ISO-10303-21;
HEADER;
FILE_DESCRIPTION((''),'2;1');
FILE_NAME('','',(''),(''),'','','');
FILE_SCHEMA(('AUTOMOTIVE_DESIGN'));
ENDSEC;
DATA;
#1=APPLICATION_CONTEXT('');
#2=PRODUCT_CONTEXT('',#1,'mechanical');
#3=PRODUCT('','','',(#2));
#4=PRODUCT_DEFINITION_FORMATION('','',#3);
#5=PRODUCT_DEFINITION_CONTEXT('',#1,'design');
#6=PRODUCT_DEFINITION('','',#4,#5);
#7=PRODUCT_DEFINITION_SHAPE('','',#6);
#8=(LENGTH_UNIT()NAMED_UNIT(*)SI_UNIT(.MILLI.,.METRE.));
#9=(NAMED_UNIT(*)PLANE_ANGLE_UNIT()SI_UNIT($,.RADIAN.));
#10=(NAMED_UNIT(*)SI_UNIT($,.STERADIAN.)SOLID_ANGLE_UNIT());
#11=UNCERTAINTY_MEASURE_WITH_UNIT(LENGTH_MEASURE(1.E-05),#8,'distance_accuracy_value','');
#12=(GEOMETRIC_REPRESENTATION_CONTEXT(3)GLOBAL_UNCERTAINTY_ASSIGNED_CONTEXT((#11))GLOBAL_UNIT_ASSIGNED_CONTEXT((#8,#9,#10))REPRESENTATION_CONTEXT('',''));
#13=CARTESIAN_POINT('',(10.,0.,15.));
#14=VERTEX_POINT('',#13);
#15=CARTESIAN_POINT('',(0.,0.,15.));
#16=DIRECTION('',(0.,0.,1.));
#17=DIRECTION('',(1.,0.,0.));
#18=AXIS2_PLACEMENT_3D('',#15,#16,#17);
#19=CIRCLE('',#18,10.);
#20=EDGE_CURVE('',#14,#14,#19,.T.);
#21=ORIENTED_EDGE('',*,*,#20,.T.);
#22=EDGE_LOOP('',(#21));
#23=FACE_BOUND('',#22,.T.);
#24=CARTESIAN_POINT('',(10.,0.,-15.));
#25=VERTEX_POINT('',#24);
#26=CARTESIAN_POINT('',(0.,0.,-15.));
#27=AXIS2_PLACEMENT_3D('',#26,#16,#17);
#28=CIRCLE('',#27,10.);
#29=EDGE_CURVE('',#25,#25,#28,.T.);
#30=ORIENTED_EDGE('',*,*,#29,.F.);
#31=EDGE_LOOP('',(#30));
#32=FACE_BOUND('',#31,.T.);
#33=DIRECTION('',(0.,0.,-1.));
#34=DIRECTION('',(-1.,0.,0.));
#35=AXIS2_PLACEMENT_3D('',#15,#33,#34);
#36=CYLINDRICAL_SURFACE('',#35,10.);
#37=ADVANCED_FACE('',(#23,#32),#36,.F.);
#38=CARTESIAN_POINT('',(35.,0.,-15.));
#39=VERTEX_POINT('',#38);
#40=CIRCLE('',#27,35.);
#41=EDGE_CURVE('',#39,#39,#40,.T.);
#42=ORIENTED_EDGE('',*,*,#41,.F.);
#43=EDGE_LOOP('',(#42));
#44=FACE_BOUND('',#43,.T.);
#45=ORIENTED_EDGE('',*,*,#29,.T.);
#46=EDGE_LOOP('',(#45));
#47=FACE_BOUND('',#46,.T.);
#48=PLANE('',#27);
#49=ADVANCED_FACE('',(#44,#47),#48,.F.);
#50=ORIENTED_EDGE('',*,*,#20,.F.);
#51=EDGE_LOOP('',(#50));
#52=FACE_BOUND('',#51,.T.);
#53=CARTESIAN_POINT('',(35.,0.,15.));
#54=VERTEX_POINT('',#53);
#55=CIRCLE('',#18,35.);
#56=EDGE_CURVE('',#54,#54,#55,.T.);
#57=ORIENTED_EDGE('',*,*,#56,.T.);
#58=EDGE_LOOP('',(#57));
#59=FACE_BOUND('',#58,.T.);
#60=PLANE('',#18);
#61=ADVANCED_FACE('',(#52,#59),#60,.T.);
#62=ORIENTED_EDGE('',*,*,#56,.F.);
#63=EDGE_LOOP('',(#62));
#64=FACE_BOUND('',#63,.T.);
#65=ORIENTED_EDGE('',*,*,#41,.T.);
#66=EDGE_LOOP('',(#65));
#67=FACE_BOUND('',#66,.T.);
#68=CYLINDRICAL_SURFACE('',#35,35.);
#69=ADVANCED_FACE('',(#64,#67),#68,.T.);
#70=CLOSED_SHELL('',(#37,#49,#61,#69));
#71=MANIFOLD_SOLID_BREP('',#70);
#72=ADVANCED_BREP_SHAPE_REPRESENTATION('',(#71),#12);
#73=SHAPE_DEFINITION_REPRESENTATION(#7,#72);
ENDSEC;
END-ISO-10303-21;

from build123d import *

# Parameters (mm, degrees)
CARRIER_START = -15
SKETCH_1_R    = 35
SKETCH_1_R_2  = 10
CARRIER_DEPTH = 30


with BuildPart() as part:
    # Эскиз1 → Carrier (new body)
    with BuildSketch(Plane.XY.offset(CARRIER_START)):
        Circle(SKETCH_1_R)
        Circle(SKETCH_1_R_2, mode=Mode.SUBTRACT)
    extrude(amount=CARRIER_DEPTH)


solid = part.part
